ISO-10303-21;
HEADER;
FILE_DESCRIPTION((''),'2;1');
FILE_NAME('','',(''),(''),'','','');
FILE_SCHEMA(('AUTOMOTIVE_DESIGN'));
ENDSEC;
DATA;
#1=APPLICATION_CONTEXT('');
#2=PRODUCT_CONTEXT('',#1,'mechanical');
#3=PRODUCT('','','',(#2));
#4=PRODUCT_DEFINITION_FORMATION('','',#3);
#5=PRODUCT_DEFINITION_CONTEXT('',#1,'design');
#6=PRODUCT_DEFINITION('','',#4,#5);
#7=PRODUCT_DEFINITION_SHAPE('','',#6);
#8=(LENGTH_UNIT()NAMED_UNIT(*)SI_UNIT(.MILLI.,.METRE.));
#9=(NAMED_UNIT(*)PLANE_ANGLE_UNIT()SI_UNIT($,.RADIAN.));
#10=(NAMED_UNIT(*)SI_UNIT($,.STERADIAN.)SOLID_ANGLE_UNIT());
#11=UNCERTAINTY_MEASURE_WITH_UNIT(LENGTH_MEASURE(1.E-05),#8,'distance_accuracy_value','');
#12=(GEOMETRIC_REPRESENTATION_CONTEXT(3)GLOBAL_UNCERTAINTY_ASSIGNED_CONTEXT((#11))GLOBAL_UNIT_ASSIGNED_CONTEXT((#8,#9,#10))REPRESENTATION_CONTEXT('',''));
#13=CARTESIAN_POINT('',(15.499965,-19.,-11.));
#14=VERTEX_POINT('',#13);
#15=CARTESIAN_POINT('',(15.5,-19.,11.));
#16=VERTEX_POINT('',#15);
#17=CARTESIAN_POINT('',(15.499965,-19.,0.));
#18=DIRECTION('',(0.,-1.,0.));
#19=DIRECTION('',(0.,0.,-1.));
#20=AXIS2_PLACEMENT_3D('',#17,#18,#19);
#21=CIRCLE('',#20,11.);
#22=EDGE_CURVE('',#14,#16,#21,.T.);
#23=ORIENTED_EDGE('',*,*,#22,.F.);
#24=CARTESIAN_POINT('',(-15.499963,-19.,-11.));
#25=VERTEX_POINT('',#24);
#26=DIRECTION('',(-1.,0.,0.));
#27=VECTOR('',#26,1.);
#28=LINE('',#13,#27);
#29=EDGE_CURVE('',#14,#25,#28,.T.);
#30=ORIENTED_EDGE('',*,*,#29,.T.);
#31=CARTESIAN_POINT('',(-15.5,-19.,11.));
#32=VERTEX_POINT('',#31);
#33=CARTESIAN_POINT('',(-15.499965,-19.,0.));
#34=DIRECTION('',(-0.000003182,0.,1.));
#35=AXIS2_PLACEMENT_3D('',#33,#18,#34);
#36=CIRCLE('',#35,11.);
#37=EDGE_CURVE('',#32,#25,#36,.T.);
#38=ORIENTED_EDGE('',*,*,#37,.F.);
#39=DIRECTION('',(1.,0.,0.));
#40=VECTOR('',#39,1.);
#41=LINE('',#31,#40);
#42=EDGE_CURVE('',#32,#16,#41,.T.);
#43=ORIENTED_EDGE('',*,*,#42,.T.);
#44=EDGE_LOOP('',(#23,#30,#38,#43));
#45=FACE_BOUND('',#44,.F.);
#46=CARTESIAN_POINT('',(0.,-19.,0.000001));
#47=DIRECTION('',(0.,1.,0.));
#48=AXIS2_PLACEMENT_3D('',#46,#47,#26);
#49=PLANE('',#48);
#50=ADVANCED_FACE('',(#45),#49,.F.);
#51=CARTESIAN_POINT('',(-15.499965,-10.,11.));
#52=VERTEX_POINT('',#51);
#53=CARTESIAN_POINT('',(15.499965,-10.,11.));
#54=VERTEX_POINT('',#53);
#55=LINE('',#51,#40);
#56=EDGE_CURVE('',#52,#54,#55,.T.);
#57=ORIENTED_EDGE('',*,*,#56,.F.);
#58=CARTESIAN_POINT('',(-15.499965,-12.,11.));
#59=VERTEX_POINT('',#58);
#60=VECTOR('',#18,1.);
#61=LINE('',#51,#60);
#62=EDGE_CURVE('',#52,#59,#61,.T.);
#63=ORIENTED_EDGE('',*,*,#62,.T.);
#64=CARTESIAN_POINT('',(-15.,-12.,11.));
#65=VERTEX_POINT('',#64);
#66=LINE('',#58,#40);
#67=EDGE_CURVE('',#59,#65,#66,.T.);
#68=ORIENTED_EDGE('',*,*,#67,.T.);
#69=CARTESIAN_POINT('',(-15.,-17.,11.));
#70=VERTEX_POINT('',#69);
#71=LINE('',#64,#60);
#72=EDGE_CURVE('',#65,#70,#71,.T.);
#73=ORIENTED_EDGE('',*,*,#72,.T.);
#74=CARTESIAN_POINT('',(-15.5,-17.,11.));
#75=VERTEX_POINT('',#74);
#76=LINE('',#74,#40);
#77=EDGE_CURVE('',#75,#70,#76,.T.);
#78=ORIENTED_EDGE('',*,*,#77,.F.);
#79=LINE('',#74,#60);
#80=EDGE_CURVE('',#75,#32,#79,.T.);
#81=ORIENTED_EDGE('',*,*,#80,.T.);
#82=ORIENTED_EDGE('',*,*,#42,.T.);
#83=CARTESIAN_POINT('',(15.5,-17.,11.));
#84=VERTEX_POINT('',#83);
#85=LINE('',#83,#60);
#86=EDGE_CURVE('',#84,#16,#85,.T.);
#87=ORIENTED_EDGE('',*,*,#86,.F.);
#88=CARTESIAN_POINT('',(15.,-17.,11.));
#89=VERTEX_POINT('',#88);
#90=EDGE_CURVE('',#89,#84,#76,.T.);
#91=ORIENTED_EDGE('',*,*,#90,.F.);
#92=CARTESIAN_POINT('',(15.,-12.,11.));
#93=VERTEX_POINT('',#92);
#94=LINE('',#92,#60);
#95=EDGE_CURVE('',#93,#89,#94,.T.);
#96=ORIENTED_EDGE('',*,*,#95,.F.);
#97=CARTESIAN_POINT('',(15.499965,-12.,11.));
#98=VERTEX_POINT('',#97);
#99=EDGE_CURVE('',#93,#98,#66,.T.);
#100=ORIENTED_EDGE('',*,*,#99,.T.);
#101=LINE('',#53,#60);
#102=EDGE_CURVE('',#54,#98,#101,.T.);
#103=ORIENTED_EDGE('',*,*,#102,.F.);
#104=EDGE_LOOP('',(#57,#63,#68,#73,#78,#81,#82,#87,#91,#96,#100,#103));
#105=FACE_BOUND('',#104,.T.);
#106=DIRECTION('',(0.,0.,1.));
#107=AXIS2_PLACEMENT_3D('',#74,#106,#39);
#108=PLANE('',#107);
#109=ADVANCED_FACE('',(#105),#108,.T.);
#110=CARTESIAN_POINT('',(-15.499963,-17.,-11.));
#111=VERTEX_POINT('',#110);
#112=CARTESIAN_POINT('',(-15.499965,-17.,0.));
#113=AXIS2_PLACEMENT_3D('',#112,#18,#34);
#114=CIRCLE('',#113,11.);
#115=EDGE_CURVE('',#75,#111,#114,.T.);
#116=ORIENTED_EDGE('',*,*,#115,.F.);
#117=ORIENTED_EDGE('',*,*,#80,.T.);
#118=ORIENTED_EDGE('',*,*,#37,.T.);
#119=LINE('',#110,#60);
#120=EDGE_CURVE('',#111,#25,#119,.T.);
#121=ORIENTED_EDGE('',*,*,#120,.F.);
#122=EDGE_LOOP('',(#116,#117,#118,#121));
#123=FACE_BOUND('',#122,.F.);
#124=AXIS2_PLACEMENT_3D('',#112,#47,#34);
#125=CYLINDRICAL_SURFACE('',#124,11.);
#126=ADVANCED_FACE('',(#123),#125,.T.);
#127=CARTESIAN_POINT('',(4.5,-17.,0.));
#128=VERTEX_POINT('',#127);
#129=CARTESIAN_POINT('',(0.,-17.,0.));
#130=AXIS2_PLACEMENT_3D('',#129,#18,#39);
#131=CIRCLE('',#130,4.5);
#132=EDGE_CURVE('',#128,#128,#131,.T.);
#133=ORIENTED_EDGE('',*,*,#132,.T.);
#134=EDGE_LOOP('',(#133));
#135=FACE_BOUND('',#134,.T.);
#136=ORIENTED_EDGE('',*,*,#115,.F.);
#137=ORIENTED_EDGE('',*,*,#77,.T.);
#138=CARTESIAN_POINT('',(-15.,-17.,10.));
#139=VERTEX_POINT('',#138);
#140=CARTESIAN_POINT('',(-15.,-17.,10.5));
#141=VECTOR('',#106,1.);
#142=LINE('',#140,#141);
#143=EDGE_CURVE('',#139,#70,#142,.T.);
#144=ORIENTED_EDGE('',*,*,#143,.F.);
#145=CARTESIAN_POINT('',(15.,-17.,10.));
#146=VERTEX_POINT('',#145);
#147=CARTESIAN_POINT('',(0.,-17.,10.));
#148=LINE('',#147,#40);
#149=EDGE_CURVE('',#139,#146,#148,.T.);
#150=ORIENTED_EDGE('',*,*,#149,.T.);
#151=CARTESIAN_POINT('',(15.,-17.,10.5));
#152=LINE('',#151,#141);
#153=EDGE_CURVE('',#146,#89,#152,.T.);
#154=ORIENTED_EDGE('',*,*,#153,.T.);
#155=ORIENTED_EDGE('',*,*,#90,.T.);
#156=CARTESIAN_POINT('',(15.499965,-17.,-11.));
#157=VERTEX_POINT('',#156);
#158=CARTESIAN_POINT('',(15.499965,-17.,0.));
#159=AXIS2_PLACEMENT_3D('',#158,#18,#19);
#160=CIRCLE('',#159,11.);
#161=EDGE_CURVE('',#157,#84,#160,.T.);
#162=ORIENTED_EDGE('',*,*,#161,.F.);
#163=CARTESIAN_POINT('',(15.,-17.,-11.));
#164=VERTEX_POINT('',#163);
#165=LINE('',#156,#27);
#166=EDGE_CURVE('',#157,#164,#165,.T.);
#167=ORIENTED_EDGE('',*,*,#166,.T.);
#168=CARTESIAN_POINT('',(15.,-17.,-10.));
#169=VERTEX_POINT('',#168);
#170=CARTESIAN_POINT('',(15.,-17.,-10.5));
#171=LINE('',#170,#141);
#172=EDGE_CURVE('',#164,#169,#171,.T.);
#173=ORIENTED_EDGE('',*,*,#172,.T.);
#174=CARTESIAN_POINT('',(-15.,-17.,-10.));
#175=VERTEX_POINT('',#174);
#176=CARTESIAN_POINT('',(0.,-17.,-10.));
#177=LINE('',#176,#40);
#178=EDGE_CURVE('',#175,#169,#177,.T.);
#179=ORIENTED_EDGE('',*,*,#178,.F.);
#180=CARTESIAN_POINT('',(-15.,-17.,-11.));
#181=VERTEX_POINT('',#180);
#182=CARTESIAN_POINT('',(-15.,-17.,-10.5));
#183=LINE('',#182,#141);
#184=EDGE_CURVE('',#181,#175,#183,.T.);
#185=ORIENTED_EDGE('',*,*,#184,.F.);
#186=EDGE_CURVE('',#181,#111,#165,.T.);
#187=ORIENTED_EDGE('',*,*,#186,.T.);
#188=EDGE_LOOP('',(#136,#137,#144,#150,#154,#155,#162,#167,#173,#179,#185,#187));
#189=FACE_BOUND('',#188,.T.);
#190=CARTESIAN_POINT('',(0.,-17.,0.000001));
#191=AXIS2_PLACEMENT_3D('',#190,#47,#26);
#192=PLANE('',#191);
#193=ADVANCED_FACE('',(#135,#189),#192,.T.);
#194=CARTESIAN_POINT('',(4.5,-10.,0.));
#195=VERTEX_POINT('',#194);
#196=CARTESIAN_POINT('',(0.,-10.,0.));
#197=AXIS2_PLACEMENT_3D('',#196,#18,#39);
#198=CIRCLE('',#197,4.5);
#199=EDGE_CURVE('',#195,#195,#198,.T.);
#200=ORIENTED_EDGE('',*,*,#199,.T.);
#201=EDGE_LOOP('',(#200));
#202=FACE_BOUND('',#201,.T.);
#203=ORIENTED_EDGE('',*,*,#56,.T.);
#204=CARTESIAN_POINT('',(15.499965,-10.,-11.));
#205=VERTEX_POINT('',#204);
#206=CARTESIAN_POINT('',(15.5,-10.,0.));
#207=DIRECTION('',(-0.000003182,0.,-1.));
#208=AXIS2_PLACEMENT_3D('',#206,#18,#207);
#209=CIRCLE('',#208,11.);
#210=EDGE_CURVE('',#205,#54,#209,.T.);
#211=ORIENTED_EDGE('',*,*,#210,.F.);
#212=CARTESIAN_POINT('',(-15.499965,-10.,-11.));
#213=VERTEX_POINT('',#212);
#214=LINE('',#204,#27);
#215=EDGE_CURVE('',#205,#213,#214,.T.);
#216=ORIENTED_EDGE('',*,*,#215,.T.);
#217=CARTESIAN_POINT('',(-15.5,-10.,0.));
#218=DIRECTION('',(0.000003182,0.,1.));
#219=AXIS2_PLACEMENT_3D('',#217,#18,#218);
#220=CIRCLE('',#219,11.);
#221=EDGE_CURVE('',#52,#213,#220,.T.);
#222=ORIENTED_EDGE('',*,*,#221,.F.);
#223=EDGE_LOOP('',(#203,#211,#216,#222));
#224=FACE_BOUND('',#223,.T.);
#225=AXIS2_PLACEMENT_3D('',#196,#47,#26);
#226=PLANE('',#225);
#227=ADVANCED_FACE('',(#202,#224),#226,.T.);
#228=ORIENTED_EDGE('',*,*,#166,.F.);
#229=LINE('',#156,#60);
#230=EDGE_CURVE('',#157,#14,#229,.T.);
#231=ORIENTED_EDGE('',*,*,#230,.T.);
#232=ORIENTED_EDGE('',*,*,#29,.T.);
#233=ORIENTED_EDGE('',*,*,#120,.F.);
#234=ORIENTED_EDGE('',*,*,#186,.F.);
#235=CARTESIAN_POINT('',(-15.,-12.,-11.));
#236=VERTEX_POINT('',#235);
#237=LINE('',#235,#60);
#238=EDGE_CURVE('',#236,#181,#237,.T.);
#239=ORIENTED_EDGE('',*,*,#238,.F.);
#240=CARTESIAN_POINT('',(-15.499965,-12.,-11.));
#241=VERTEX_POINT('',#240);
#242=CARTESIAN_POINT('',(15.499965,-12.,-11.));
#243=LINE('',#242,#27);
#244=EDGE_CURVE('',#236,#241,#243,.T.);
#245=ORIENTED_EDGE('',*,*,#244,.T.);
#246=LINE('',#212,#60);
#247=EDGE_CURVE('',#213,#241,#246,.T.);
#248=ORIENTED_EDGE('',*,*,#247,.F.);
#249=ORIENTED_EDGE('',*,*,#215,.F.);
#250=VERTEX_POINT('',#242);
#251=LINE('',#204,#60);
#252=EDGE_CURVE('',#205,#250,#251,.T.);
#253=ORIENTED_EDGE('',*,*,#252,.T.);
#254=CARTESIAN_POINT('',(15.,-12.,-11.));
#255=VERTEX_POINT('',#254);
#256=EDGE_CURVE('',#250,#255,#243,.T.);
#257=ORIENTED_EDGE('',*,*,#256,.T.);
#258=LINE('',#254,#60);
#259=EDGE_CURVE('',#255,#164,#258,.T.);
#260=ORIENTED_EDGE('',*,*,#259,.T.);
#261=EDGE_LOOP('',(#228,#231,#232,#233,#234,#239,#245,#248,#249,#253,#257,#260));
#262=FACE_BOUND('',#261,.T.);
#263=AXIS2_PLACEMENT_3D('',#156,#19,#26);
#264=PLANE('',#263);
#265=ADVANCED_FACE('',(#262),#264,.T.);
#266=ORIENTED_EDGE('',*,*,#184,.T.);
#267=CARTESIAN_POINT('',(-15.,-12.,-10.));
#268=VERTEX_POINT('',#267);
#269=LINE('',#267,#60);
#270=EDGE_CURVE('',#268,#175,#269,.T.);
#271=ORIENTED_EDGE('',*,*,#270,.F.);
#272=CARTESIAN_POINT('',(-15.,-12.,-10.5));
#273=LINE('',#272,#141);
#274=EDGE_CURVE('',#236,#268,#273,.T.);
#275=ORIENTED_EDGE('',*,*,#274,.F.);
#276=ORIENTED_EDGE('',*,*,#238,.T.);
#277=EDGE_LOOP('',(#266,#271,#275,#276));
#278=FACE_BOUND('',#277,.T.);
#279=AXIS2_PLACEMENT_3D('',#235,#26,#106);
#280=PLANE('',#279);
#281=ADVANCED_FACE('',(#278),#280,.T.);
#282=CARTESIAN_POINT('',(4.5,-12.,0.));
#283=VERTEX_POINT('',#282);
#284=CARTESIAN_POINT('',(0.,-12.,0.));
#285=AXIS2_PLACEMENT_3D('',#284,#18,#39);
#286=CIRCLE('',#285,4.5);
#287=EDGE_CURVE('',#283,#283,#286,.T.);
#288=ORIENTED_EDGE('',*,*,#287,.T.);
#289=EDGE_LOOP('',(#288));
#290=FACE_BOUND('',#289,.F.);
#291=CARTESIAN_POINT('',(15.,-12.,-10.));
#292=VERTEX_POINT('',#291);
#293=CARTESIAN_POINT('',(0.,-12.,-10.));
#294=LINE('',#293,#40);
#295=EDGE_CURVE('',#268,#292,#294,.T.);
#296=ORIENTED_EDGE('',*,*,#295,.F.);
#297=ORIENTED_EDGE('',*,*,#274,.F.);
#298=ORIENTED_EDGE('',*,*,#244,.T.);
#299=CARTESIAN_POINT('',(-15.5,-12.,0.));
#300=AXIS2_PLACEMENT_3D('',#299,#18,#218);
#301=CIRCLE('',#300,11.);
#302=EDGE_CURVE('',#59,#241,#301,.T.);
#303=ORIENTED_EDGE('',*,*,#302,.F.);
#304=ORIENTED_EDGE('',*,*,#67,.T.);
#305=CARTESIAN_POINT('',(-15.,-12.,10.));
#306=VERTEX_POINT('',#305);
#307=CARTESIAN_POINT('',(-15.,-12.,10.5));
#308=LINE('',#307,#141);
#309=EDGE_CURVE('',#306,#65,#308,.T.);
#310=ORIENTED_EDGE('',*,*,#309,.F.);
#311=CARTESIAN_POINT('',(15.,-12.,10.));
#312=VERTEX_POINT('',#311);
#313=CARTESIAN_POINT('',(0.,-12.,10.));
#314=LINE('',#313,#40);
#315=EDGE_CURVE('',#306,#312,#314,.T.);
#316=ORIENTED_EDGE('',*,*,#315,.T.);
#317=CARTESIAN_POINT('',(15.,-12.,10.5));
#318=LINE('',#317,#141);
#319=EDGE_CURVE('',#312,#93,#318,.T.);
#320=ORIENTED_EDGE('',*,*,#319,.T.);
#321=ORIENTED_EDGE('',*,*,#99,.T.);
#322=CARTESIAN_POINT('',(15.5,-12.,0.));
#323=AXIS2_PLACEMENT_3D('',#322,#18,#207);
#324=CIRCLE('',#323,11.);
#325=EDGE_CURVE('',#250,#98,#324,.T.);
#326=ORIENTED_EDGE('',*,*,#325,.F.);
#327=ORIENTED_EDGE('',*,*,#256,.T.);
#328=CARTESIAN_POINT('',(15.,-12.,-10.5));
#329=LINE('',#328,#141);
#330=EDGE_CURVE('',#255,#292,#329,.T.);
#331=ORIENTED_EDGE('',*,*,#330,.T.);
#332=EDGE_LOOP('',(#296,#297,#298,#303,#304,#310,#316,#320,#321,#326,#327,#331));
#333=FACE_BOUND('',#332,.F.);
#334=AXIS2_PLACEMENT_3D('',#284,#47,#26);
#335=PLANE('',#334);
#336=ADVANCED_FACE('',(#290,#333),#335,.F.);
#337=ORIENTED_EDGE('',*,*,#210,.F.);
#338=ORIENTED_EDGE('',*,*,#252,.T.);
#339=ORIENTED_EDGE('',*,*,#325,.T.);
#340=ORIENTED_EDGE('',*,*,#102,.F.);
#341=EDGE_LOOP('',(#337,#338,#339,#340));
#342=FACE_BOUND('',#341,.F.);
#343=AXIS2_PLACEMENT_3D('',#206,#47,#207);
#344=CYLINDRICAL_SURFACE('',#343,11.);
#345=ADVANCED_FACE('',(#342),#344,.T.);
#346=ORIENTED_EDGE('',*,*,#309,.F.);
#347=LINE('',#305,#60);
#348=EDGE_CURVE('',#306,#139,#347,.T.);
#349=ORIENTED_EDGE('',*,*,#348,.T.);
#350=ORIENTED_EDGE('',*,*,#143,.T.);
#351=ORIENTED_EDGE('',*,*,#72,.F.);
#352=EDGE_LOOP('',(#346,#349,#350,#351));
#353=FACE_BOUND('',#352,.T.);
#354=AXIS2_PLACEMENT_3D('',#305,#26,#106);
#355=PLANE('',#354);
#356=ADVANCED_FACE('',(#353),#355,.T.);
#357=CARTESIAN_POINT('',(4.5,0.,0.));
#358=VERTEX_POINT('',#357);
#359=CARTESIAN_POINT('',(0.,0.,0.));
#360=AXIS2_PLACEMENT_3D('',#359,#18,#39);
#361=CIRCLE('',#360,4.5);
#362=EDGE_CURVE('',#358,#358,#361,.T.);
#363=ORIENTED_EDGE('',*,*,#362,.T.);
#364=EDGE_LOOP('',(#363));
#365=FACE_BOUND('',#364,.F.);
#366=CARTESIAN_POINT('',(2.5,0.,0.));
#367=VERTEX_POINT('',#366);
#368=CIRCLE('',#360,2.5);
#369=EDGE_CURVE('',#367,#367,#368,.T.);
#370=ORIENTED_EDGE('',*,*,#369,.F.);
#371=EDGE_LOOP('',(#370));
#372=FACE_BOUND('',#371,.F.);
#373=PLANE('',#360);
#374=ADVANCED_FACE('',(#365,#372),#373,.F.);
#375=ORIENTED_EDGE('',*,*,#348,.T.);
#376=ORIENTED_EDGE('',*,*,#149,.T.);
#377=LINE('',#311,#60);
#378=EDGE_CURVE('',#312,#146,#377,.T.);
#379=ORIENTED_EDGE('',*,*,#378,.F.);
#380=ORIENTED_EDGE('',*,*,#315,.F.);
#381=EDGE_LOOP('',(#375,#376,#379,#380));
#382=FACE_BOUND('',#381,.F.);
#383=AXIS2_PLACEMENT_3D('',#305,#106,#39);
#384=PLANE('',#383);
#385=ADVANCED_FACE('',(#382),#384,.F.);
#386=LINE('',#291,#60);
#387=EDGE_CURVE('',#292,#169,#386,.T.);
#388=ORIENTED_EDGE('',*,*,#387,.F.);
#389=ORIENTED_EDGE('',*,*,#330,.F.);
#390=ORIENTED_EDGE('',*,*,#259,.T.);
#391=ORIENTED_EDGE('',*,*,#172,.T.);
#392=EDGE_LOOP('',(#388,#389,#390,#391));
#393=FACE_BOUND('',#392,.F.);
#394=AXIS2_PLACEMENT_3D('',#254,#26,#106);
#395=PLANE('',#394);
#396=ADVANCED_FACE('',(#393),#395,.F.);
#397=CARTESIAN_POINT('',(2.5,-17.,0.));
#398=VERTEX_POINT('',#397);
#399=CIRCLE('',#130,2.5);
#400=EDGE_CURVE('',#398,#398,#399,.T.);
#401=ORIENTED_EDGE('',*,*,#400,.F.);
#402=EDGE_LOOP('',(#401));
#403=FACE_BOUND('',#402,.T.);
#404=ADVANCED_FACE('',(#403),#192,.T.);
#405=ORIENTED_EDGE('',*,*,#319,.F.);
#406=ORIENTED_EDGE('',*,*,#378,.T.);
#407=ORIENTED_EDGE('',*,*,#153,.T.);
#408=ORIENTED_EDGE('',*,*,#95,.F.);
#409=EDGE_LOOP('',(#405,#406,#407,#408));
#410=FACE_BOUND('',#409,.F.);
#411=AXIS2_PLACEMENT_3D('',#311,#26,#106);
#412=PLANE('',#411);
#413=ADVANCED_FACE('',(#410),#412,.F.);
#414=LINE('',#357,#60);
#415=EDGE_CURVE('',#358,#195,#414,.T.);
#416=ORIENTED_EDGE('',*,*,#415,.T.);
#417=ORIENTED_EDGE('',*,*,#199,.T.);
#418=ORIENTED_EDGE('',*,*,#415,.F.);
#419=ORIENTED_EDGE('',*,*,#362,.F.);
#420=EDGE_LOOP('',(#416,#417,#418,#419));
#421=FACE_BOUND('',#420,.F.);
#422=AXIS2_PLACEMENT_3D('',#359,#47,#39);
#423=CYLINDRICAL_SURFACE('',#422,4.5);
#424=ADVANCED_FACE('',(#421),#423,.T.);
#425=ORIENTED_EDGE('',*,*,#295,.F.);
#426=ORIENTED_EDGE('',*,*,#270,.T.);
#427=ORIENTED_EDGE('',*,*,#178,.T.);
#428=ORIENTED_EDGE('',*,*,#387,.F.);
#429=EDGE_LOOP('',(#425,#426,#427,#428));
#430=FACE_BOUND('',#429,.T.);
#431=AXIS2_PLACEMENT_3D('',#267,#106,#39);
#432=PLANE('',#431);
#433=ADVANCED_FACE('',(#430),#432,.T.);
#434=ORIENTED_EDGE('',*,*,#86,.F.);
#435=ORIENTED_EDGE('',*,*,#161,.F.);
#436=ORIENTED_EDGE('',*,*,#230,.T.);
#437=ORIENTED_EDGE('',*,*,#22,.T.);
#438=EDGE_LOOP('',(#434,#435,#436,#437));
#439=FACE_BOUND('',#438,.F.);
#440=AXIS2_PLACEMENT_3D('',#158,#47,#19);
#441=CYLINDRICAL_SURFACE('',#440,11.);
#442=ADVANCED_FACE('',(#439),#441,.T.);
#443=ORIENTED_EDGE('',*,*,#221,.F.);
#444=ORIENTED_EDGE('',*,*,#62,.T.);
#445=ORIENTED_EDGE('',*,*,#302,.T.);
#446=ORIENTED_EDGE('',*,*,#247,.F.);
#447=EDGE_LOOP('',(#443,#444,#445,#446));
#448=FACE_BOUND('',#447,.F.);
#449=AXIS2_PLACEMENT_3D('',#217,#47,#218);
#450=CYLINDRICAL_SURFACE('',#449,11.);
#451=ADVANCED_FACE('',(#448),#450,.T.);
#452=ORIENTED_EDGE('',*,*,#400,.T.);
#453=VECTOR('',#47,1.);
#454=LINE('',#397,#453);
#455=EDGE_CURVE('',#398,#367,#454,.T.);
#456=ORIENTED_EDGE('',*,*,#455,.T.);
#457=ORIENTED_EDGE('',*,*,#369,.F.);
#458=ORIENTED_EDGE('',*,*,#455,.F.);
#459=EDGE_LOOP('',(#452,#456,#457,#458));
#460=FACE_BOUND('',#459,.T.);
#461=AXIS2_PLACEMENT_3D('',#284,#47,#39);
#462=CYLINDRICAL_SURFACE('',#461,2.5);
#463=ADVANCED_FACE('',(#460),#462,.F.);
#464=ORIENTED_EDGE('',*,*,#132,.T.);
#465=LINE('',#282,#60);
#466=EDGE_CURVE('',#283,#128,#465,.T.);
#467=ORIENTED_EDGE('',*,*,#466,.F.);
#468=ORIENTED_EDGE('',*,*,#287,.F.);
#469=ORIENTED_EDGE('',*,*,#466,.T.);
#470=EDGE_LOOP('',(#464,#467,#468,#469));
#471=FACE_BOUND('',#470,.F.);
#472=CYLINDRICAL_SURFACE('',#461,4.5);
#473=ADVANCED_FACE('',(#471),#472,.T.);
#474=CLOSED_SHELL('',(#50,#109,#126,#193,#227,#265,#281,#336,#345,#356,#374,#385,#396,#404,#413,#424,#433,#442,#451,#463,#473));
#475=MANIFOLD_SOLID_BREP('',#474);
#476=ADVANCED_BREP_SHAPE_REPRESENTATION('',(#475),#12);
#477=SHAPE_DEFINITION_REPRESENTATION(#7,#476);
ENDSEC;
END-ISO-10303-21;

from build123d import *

# Parameters (mm, degrees)
SKETCH_R      = 4.5
SKETCH_R_2    = 2.5
PAD_DEPTH     = 10
SKETCH001_R   = 2.5
PAD001_DEPTH  = 2
SKETCH002_R   = 4.5
SKETCH002_R_2 = 2.5
SKETCH002_W   = 30
SKETCH002_H   = 1
PAD002_DEPTH  = 5
PAD003_DEPTH  = 2


with BuildPart() as part:
    # Sketch → Pad (new body)
    with BuildSketch(Plane.XZ):
        Circle(SKETCH_R)
        Circle(SKETCH_R_2, mode=Mode.SUBTRACT)
    extrude(amount=PAD_DEPTH)

    # Sketch001 → Pad001 (new body)
    with BuildSketch(Plane.XZ.offset(10)):
        with BuildLine():
            Line((15.499965, -11), (-15.499965, -11))
            ThreePointArc((-15.499965, 11), (-26.5, 0), (-15.499965, -11))
            Line((-15.499965, 11), (15.499965, 11))
            ThreePointArc((15.499965, -11), (26.5, 0), (15.499965, 11))
        make_face()
        Circle(SKETCH001_R, mode=Mode.SUBTRACT)
    extrude(amount=PAD001_DEPTH)

    # Sketch002 → Pad002 (new body)
    with BuildSketch(Plane.XZ.offset(12)):
        Circle(SKETCH002_R)
        Circle(SKETCH002_R_2, mode=Mode.SUBTRACT)
        with Locations((0, 10.5)):
            Rectangle(SKETCH002_W, SKETCH002_H)
        with Locations((0, -10.5)):
            Rectangle(SKETCH002_W, SKETCH002_H)
    extrude(amount=PAD002_DEPTH)

    # Sketch003 → Pad003 (new body)
    with BuildSketch(Plane.XZ.offset(17)):
        with BuildLine():
            Line((-15.5, 11), (15.5, 11))
            ThreePointArc((15.499965, -11), (26.499965, -1.7e-05), (15.5, 11))
            Line((15.499965, -11), (-15.499963, -11))
            ThreePointArc((-15.5, 11), (-26.499965, -1.8e-05), (-15.499963, -11))
        make_face()
    extrude(amount=PAD003_DEPTH)


solid = part.part
